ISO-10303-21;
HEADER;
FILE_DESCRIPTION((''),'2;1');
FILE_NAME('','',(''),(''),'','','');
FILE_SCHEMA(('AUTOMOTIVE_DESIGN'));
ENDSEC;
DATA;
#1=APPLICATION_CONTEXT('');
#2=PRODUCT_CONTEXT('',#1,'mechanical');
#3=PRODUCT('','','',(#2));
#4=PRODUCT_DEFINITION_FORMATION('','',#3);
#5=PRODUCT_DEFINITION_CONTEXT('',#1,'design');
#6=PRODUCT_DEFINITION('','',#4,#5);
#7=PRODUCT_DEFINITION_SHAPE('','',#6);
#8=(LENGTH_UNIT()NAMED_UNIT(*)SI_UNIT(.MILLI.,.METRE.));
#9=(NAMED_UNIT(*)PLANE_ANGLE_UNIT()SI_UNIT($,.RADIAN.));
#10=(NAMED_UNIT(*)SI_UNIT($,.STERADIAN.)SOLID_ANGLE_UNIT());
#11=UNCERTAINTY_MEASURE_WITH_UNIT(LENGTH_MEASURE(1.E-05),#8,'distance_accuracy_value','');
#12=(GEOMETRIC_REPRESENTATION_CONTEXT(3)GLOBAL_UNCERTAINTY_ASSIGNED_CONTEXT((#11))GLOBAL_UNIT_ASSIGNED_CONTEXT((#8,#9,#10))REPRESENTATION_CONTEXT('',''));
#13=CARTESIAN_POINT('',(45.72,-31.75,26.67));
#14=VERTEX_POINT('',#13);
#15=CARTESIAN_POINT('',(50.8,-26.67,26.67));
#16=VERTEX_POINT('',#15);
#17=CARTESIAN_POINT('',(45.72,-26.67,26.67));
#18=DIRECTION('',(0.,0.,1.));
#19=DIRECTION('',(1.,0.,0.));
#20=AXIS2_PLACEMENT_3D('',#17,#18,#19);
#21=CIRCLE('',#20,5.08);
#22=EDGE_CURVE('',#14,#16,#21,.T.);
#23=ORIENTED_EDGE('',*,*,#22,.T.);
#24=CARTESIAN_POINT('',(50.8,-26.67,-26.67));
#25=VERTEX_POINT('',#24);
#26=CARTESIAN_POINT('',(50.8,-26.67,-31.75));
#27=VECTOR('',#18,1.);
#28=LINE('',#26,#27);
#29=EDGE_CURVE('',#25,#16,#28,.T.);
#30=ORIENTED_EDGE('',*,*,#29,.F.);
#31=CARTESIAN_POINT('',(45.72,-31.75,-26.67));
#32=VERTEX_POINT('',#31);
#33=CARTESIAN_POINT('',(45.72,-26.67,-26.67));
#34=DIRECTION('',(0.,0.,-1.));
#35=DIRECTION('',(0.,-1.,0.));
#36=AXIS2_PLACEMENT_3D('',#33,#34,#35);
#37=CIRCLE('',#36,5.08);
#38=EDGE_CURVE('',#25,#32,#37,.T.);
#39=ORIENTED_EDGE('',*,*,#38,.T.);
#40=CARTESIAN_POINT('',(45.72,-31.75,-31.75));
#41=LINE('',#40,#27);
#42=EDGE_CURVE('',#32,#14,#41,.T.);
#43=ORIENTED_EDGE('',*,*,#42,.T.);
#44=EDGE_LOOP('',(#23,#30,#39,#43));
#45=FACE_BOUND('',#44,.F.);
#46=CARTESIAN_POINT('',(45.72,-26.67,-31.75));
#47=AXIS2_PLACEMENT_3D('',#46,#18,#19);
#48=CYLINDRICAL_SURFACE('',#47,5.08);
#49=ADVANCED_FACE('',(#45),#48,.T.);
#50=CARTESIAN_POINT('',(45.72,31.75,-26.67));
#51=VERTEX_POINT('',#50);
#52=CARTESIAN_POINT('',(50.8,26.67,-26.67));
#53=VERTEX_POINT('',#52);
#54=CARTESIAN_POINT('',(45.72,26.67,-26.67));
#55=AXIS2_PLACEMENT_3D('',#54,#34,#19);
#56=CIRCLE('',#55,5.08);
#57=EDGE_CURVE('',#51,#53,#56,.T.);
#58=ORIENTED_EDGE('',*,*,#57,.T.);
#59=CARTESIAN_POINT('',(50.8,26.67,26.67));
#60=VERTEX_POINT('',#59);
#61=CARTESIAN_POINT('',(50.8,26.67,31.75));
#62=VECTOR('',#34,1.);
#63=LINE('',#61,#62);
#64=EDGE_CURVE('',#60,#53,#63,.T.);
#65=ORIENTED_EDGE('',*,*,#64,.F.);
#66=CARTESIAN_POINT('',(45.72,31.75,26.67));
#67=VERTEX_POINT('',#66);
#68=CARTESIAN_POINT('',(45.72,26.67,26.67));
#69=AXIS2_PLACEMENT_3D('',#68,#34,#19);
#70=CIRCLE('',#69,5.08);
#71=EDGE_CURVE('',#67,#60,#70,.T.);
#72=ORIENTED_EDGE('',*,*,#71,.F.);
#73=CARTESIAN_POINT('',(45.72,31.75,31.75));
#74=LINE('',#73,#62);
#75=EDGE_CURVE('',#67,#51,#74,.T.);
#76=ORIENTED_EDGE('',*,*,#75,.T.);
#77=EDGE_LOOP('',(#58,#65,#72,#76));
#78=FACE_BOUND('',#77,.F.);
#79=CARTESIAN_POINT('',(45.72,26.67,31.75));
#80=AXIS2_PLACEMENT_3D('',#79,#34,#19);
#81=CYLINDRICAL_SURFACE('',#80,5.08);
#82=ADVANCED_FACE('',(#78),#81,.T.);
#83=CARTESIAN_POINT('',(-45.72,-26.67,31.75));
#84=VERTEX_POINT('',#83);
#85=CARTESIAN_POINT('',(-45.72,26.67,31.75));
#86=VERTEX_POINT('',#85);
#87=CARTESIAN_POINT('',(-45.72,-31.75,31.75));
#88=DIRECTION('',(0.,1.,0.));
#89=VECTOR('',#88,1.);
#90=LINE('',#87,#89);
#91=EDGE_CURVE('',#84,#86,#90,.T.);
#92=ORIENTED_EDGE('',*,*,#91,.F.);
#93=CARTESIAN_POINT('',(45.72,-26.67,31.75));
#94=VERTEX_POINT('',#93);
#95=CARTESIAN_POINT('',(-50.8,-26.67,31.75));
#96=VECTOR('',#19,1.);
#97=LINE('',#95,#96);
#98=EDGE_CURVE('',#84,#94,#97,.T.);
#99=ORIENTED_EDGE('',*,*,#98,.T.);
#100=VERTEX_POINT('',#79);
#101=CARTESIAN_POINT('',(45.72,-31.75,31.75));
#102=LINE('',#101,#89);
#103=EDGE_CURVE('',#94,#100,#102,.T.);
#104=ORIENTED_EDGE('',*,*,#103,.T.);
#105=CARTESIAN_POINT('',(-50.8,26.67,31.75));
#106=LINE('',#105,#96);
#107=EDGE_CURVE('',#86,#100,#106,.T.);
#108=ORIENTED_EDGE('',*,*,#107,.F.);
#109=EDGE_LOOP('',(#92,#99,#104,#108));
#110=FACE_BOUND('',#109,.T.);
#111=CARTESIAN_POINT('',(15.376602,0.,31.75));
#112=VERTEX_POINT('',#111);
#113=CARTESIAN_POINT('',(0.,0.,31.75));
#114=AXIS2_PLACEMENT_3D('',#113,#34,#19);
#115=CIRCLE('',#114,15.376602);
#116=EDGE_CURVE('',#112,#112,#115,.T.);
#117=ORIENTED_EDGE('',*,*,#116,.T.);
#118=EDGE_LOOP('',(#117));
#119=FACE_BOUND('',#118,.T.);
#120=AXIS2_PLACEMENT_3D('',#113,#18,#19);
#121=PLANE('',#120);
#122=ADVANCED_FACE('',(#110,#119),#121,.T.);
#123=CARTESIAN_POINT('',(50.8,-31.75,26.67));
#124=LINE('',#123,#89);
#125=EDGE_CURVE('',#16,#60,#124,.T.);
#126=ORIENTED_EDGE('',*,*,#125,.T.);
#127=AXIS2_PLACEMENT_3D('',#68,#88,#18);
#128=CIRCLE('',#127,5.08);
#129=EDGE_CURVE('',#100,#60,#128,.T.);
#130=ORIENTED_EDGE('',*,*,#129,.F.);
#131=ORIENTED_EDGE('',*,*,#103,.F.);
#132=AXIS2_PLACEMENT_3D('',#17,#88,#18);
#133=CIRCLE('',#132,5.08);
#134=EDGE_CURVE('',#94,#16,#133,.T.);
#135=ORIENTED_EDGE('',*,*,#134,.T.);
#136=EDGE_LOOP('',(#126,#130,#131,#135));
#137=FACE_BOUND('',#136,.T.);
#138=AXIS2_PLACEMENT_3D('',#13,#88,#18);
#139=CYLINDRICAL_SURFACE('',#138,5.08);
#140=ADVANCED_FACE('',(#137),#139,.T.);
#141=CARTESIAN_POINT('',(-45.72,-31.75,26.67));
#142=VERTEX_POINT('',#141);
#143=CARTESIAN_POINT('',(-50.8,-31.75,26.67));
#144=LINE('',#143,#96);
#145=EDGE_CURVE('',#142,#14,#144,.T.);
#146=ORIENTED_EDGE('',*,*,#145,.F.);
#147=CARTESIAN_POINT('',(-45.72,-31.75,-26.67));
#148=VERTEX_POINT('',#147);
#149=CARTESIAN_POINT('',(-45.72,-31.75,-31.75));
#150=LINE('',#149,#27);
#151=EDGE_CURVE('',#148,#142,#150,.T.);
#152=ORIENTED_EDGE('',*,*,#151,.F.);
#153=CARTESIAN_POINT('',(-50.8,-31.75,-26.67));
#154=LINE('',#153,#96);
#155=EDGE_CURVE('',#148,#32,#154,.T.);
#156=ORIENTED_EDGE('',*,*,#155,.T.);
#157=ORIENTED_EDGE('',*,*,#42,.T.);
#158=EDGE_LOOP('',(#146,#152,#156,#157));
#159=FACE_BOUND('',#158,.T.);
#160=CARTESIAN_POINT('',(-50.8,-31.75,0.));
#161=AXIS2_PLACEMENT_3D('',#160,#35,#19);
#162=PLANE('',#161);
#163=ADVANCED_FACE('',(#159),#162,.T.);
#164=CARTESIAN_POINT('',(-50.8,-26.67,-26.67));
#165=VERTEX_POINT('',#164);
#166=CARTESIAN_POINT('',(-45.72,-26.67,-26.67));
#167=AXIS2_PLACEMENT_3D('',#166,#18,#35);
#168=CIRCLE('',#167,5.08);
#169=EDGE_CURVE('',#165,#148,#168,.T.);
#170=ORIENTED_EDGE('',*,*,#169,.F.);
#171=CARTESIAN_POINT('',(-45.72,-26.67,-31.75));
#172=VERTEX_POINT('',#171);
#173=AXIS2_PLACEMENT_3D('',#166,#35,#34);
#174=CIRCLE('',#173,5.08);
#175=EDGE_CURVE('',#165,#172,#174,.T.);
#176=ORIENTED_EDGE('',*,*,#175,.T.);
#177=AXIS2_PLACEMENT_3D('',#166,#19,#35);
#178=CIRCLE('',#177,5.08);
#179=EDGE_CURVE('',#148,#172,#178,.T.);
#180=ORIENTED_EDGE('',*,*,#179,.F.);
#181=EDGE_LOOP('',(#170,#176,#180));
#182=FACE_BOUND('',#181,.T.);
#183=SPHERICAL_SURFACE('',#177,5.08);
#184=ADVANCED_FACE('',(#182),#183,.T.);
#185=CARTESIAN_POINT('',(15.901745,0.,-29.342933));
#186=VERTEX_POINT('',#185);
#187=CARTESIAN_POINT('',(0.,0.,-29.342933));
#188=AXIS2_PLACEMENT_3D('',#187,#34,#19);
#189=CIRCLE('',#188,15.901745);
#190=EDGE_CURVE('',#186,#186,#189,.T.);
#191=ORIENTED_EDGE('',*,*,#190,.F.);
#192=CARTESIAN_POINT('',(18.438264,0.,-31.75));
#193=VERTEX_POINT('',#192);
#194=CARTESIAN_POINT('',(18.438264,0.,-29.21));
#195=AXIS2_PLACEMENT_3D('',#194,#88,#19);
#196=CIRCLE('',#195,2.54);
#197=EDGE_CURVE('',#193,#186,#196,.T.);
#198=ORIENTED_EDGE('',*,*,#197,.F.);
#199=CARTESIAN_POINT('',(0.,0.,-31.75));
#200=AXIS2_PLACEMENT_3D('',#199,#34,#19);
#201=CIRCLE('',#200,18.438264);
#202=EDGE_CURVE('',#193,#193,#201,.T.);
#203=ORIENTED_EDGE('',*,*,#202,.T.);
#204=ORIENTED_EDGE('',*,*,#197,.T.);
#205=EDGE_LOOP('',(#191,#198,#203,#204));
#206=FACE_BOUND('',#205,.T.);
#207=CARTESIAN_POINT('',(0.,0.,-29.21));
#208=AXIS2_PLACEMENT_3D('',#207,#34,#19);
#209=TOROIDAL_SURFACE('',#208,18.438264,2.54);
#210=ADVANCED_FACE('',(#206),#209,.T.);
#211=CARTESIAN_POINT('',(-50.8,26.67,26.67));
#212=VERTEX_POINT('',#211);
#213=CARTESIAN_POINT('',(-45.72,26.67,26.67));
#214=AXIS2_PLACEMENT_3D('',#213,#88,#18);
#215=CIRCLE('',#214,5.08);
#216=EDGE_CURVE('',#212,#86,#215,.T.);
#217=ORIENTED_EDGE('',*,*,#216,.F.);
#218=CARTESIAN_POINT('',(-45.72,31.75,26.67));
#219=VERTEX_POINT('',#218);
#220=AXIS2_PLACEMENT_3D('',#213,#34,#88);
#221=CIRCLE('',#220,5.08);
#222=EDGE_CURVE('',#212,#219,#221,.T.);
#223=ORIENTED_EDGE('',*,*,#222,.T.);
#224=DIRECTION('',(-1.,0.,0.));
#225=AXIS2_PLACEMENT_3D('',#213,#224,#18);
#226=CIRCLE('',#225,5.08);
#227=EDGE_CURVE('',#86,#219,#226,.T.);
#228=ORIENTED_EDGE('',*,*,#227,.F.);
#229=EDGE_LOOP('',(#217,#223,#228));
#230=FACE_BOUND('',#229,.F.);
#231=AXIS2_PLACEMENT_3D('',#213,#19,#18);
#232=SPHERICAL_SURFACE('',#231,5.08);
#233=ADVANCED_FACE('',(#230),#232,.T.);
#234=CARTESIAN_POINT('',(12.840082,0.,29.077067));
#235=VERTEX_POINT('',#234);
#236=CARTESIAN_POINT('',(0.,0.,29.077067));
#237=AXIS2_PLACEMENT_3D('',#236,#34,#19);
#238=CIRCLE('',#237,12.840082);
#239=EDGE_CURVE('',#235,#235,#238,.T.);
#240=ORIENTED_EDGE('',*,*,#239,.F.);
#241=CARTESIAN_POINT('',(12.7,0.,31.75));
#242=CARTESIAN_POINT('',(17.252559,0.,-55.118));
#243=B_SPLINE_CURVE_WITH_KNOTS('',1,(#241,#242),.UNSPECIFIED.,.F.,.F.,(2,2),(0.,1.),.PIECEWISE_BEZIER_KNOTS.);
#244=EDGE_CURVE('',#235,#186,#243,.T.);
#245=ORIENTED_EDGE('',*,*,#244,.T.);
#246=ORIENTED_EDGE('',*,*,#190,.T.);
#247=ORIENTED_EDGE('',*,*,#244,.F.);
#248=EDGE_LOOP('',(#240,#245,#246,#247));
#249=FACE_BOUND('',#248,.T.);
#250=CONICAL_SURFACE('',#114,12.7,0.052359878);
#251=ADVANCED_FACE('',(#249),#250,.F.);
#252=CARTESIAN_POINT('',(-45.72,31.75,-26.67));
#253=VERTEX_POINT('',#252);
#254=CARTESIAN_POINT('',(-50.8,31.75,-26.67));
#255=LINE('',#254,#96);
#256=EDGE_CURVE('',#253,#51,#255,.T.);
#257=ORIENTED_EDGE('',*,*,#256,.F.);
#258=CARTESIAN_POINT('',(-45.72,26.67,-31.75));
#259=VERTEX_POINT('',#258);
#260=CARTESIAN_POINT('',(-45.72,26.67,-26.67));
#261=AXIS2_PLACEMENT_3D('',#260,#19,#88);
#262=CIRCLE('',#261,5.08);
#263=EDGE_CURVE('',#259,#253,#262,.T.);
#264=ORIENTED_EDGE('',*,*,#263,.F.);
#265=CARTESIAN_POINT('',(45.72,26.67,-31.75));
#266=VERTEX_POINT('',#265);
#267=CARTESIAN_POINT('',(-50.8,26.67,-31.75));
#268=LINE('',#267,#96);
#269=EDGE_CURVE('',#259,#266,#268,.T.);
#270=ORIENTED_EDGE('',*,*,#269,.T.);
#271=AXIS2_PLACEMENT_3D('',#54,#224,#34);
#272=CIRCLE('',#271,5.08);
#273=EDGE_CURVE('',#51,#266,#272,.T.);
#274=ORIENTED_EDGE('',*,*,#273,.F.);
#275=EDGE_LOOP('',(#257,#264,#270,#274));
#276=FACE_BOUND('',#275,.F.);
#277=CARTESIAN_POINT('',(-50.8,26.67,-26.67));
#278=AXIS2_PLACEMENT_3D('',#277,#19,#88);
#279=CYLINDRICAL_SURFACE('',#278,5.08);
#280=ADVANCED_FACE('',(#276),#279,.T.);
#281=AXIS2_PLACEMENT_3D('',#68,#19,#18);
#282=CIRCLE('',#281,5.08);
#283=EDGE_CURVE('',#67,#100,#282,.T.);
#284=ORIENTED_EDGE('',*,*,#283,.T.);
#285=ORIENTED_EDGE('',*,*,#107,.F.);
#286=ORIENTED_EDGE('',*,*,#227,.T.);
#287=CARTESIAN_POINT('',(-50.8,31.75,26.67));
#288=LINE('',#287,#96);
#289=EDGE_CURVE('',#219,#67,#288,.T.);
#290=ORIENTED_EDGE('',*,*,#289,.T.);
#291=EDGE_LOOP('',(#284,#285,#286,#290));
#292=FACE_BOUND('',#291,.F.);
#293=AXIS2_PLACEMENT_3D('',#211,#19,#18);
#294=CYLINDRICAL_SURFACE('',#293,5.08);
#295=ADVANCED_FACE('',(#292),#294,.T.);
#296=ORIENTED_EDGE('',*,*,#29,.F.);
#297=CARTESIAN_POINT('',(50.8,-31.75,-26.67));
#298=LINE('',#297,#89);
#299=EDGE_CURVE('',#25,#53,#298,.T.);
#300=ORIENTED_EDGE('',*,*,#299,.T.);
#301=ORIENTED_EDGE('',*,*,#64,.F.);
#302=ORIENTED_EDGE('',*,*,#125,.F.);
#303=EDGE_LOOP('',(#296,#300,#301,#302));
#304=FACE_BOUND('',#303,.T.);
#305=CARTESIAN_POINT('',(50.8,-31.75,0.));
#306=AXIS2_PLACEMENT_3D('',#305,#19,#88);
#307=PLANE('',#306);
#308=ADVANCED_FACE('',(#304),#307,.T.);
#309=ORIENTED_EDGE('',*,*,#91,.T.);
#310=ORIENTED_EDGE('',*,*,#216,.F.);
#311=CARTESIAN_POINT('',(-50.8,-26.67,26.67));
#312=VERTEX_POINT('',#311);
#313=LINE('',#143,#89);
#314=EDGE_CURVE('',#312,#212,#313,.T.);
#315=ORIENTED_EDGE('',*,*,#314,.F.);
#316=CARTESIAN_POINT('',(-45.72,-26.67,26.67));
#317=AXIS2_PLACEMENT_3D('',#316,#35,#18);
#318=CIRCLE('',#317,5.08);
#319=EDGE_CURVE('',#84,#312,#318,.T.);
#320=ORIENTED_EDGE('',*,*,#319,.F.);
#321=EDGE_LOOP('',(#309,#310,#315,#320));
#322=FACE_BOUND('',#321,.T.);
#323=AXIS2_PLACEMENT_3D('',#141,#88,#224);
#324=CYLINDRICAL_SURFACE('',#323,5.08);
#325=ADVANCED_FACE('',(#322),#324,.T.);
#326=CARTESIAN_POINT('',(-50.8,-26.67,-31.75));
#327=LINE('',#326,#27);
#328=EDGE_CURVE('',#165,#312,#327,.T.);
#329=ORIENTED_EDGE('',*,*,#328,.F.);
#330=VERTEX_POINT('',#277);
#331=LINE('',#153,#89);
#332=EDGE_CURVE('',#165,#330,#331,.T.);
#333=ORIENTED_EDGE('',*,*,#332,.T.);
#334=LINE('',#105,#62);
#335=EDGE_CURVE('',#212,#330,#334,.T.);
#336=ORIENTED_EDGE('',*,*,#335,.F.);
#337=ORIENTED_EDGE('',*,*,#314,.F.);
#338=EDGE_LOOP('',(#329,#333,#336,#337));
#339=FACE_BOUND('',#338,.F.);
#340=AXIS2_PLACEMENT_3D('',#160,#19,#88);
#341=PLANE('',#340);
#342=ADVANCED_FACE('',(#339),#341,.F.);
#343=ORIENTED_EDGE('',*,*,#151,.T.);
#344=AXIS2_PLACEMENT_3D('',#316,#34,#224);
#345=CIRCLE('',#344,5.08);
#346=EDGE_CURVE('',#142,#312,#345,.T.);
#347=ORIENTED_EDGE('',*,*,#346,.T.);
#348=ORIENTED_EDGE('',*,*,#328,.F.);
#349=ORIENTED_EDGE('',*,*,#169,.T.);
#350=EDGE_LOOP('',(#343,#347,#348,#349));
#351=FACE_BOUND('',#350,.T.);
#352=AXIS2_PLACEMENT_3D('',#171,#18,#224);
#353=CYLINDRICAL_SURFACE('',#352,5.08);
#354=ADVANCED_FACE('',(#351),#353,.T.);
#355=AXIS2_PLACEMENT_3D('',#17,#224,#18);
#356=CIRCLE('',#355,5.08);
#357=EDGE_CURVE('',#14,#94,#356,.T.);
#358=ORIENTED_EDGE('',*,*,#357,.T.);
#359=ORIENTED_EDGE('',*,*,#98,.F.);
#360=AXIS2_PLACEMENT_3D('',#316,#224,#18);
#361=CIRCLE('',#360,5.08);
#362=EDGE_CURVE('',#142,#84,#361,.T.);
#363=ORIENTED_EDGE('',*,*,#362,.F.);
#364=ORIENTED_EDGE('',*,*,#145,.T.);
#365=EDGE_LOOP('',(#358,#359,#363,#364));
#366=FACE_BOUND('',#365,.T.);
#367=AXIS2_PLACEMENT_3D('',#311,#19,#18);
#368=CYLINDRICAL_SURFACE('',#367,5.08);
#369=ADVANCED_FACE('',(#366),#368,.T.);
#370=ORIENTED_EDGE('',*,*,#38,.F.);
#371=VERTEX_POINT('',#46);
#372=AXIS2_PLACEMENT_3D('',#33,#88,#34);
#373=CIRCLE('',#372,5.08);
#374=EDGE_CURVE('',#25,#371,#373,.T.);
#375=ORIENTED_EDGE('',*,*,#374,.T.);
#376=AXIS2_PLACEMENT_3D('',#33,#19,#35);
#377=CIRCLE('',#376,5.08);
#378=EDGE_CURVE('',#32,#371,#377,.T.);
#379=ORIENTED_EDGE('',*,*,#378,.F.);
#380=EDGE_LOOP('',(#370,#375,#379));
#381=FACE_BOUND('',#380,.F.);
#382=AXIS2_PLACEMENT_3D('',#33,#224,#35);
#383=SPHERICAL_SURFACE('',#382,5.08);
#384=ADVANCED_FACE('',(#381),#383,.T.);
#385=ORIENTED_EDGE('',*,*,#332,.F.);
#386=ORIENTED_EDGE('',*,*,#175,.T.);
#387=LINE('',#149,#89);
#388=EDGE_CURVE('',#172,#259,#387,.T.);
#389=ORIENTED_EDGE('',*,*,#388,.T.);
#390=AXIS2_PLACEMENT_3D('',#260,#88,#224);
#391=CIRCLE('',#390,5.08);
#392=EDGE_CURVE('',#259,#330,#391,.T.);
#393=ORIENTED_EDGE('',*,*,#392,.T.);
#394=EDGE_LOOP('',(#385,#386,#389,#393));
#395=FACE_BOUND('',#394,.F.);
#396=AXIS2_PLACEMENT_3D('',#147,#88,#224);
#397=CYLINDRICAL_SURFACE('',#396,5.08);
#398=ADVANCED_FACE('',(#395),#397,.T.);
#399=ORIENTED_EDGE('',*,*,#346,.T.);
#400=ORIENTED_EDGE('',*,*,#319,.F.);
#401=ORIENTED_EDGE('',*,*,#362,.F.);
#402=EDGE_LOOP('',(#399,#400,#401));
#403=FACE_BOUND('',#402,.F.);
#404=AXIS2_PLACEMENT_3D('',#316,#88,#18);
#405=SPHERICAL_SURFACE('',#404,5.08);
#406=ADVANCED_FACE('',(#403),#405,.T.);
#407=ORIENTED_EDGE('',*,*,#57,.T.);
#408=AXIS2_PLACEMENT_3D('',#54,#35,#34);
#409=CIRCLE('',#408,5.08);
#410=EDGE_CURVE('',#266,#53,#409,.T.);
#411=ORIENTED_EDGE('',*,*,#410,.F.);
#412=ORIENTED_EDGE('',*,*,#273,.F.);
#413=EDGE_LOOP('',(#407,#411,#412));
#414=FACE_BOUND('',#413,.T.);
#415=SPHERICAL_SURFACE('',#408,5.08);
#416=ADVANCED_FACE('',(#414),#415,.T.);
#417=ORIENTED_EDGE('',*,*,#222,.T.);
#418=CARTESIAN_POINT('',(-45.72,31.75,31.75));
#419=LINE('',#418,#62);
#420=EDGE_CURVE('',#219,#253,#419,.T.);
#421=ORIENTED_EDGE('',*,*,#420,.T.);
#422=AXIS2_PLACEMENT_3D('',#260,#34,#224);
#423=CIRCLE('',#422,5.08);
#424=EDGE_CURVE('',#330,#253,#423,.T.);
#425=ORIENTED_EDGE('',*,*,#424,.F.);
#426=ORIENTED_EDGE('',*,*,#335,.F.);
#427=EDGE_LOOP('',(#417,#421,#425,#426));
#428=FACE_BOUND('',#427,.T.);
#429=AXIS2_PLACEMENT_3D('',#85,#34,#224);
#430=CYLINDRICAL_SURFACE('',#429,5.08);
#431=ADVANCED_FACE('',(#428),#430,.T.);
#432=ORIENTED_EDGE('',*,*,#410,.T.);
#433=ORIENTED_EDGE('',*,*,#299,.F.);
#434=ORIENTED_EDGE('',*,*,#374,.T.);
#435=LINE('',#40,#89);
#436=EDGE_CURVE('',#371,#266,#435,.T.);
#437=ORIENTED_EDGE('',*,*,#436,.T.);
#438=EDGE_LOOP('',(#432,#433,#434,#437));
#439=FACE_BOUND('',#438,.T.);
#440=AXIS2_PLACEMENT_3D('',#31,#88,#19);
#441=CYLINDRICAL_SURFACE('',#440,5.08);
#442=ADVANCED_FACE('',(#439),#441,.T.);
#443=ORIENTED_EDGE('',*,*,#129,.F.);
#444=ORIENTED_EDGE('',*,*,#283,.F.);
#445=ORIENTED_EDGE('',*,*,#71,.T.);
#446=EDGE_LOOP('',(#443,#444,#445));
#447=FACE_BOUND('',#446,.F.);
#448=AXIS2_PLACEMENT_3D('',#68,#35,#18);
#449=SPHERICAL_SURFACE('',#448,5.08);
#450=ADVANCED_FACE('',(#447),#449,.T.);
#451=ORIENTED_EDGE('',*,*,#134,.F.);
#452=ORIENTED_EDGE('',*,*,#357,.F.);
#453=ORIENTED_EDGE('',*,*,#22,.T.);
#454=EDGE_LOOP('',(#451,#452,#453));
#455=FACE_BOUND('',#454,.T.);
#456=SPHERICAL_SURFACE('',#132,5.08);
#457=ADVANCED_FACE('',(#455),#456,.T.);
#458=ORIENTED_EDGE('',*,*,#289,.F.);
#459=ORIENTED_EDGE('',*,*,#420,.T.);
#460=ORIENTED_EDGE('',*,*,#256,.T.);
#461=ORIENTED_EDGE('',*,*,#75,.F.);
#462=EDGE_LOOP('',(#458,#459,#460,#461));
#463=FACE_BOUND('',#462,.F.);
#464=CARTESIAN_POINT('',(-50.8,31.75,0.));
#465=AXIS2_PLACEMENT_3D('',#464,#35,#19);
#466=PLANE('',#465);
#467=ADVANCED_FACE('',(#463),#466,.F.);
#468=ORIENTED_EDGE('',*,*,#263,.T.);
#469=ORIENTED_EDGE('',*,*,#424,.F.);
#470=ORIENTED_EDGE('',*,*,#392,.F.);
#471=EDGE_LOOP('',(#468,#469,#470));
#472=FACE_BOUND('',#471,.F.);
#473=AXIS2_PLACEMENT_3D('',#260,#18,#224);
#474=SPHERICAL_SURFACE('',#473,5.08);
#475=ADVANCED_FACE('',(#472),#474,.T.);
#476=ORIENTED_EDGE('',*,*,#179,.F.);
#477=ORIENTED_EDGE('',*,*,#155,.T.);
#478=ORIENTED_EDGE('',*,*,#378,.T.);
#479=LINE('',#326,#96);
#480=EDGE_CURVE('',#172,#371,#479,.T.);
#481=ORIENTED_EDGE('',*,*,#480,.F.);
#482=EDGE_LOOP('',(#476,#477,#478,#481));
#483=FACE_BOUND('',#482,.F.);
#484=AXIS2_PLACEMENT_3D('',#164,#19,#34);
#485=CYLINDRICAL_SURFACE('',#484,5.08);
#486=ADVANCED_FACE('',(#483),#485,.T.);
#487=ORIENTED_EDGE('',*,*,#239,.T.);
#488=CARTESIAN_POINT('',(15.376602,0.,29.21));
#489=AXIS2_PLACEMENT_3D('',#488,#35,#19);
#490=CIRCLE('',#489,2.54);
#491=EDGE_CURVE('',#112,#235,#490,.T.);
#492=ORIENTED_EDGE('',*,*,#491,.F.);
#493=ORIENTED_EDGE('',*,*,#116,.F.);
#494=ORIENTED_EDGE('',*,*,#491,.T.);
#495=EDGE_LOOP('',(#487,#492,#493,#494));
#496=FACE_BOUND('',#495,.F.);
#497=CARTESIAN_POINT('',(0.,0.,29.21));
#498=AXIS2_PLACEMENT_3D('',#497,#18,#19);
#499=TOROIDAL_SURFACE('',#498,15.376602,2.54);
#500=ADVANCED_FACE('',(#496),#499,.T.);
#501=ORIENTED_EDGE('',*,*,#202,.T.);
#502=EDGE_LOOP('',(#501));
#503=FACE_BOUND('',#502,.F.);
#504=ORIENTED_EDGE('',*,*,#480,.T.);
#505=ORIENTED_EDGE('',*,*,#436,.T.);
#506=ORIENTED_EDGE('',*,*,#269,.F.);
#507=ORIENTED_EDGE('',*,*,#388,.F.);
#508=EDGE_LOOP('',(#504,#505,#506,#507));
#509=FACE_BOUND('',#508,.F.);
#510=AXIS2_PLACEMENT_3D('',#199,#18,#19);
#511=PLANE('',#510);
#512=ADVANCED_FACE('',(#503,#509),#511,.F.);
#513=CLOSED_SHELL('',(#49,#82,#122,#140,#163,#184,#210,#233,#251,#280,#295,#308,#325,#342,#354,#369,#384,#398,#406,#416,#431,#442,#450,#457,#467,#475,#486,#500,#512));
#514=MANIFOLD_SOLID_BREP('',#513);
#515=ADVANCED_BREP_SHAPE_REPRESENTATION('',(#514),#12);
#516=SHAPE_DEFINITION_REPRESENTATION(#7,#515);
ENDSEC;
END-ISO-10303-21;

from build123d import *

# Parameters (mm, degrees)
F0_W     = 101.6
F0_H     = 63.5
F1_DEPTH = 31.75
F2_R     = 5.08
F3_R     = 12.7
F4_DEPTH = 86.868
F4_TAPER = -3
F5_R     = 2.54


with BuildPart() as f1:
    # F0 (on Top) → F1 (new body, symmetric)
    with BuildSketch(Plane.XY):
        Rectangle(F0_W, F0_H)
    extrude(amount=F1_DEPTH, both=True)

    # F2
    f2_edges = [f1.edges().sort_by_distance(p)[0] for p in [
        (50.8, 0, 31.75),
        (0, 31.75, 31.75),
        (-50.8, 0, 31.75),
        (0, -31.75, 31.75),
        (0, -31.75, -31.75),
        (50.8, -31.75, 0),
        (-50.8, -31.75, 0),
        (-50.8, 31.75, 0),
        (-50.8, 0, -31.75),
        (50.8, 0, -31.75),
        (0, 31.75, -31.75),
        (50.8, 31.75, 0),
    ]]
    fillet(f2_edges, radius=F2_R)

    # F3 (on face) → F4 (cut)
    with BuildSketch(Plane.XY.offset(31.75)):
        Circle(F3_R)
    extrude(amount=-F4_DEPTH, taper=F4_TAPER, mode=Mode.SUBTRACT)

    # F5
    f5_edges = [f1.edges().sort_by_distance(p)[0] for p in [
        (-12.7, 0, 31.75),
        (-16.027894, 0, -31.75),
    ]]
    fillet(f5_edges, radius=F5_R)


solid = f1.part
